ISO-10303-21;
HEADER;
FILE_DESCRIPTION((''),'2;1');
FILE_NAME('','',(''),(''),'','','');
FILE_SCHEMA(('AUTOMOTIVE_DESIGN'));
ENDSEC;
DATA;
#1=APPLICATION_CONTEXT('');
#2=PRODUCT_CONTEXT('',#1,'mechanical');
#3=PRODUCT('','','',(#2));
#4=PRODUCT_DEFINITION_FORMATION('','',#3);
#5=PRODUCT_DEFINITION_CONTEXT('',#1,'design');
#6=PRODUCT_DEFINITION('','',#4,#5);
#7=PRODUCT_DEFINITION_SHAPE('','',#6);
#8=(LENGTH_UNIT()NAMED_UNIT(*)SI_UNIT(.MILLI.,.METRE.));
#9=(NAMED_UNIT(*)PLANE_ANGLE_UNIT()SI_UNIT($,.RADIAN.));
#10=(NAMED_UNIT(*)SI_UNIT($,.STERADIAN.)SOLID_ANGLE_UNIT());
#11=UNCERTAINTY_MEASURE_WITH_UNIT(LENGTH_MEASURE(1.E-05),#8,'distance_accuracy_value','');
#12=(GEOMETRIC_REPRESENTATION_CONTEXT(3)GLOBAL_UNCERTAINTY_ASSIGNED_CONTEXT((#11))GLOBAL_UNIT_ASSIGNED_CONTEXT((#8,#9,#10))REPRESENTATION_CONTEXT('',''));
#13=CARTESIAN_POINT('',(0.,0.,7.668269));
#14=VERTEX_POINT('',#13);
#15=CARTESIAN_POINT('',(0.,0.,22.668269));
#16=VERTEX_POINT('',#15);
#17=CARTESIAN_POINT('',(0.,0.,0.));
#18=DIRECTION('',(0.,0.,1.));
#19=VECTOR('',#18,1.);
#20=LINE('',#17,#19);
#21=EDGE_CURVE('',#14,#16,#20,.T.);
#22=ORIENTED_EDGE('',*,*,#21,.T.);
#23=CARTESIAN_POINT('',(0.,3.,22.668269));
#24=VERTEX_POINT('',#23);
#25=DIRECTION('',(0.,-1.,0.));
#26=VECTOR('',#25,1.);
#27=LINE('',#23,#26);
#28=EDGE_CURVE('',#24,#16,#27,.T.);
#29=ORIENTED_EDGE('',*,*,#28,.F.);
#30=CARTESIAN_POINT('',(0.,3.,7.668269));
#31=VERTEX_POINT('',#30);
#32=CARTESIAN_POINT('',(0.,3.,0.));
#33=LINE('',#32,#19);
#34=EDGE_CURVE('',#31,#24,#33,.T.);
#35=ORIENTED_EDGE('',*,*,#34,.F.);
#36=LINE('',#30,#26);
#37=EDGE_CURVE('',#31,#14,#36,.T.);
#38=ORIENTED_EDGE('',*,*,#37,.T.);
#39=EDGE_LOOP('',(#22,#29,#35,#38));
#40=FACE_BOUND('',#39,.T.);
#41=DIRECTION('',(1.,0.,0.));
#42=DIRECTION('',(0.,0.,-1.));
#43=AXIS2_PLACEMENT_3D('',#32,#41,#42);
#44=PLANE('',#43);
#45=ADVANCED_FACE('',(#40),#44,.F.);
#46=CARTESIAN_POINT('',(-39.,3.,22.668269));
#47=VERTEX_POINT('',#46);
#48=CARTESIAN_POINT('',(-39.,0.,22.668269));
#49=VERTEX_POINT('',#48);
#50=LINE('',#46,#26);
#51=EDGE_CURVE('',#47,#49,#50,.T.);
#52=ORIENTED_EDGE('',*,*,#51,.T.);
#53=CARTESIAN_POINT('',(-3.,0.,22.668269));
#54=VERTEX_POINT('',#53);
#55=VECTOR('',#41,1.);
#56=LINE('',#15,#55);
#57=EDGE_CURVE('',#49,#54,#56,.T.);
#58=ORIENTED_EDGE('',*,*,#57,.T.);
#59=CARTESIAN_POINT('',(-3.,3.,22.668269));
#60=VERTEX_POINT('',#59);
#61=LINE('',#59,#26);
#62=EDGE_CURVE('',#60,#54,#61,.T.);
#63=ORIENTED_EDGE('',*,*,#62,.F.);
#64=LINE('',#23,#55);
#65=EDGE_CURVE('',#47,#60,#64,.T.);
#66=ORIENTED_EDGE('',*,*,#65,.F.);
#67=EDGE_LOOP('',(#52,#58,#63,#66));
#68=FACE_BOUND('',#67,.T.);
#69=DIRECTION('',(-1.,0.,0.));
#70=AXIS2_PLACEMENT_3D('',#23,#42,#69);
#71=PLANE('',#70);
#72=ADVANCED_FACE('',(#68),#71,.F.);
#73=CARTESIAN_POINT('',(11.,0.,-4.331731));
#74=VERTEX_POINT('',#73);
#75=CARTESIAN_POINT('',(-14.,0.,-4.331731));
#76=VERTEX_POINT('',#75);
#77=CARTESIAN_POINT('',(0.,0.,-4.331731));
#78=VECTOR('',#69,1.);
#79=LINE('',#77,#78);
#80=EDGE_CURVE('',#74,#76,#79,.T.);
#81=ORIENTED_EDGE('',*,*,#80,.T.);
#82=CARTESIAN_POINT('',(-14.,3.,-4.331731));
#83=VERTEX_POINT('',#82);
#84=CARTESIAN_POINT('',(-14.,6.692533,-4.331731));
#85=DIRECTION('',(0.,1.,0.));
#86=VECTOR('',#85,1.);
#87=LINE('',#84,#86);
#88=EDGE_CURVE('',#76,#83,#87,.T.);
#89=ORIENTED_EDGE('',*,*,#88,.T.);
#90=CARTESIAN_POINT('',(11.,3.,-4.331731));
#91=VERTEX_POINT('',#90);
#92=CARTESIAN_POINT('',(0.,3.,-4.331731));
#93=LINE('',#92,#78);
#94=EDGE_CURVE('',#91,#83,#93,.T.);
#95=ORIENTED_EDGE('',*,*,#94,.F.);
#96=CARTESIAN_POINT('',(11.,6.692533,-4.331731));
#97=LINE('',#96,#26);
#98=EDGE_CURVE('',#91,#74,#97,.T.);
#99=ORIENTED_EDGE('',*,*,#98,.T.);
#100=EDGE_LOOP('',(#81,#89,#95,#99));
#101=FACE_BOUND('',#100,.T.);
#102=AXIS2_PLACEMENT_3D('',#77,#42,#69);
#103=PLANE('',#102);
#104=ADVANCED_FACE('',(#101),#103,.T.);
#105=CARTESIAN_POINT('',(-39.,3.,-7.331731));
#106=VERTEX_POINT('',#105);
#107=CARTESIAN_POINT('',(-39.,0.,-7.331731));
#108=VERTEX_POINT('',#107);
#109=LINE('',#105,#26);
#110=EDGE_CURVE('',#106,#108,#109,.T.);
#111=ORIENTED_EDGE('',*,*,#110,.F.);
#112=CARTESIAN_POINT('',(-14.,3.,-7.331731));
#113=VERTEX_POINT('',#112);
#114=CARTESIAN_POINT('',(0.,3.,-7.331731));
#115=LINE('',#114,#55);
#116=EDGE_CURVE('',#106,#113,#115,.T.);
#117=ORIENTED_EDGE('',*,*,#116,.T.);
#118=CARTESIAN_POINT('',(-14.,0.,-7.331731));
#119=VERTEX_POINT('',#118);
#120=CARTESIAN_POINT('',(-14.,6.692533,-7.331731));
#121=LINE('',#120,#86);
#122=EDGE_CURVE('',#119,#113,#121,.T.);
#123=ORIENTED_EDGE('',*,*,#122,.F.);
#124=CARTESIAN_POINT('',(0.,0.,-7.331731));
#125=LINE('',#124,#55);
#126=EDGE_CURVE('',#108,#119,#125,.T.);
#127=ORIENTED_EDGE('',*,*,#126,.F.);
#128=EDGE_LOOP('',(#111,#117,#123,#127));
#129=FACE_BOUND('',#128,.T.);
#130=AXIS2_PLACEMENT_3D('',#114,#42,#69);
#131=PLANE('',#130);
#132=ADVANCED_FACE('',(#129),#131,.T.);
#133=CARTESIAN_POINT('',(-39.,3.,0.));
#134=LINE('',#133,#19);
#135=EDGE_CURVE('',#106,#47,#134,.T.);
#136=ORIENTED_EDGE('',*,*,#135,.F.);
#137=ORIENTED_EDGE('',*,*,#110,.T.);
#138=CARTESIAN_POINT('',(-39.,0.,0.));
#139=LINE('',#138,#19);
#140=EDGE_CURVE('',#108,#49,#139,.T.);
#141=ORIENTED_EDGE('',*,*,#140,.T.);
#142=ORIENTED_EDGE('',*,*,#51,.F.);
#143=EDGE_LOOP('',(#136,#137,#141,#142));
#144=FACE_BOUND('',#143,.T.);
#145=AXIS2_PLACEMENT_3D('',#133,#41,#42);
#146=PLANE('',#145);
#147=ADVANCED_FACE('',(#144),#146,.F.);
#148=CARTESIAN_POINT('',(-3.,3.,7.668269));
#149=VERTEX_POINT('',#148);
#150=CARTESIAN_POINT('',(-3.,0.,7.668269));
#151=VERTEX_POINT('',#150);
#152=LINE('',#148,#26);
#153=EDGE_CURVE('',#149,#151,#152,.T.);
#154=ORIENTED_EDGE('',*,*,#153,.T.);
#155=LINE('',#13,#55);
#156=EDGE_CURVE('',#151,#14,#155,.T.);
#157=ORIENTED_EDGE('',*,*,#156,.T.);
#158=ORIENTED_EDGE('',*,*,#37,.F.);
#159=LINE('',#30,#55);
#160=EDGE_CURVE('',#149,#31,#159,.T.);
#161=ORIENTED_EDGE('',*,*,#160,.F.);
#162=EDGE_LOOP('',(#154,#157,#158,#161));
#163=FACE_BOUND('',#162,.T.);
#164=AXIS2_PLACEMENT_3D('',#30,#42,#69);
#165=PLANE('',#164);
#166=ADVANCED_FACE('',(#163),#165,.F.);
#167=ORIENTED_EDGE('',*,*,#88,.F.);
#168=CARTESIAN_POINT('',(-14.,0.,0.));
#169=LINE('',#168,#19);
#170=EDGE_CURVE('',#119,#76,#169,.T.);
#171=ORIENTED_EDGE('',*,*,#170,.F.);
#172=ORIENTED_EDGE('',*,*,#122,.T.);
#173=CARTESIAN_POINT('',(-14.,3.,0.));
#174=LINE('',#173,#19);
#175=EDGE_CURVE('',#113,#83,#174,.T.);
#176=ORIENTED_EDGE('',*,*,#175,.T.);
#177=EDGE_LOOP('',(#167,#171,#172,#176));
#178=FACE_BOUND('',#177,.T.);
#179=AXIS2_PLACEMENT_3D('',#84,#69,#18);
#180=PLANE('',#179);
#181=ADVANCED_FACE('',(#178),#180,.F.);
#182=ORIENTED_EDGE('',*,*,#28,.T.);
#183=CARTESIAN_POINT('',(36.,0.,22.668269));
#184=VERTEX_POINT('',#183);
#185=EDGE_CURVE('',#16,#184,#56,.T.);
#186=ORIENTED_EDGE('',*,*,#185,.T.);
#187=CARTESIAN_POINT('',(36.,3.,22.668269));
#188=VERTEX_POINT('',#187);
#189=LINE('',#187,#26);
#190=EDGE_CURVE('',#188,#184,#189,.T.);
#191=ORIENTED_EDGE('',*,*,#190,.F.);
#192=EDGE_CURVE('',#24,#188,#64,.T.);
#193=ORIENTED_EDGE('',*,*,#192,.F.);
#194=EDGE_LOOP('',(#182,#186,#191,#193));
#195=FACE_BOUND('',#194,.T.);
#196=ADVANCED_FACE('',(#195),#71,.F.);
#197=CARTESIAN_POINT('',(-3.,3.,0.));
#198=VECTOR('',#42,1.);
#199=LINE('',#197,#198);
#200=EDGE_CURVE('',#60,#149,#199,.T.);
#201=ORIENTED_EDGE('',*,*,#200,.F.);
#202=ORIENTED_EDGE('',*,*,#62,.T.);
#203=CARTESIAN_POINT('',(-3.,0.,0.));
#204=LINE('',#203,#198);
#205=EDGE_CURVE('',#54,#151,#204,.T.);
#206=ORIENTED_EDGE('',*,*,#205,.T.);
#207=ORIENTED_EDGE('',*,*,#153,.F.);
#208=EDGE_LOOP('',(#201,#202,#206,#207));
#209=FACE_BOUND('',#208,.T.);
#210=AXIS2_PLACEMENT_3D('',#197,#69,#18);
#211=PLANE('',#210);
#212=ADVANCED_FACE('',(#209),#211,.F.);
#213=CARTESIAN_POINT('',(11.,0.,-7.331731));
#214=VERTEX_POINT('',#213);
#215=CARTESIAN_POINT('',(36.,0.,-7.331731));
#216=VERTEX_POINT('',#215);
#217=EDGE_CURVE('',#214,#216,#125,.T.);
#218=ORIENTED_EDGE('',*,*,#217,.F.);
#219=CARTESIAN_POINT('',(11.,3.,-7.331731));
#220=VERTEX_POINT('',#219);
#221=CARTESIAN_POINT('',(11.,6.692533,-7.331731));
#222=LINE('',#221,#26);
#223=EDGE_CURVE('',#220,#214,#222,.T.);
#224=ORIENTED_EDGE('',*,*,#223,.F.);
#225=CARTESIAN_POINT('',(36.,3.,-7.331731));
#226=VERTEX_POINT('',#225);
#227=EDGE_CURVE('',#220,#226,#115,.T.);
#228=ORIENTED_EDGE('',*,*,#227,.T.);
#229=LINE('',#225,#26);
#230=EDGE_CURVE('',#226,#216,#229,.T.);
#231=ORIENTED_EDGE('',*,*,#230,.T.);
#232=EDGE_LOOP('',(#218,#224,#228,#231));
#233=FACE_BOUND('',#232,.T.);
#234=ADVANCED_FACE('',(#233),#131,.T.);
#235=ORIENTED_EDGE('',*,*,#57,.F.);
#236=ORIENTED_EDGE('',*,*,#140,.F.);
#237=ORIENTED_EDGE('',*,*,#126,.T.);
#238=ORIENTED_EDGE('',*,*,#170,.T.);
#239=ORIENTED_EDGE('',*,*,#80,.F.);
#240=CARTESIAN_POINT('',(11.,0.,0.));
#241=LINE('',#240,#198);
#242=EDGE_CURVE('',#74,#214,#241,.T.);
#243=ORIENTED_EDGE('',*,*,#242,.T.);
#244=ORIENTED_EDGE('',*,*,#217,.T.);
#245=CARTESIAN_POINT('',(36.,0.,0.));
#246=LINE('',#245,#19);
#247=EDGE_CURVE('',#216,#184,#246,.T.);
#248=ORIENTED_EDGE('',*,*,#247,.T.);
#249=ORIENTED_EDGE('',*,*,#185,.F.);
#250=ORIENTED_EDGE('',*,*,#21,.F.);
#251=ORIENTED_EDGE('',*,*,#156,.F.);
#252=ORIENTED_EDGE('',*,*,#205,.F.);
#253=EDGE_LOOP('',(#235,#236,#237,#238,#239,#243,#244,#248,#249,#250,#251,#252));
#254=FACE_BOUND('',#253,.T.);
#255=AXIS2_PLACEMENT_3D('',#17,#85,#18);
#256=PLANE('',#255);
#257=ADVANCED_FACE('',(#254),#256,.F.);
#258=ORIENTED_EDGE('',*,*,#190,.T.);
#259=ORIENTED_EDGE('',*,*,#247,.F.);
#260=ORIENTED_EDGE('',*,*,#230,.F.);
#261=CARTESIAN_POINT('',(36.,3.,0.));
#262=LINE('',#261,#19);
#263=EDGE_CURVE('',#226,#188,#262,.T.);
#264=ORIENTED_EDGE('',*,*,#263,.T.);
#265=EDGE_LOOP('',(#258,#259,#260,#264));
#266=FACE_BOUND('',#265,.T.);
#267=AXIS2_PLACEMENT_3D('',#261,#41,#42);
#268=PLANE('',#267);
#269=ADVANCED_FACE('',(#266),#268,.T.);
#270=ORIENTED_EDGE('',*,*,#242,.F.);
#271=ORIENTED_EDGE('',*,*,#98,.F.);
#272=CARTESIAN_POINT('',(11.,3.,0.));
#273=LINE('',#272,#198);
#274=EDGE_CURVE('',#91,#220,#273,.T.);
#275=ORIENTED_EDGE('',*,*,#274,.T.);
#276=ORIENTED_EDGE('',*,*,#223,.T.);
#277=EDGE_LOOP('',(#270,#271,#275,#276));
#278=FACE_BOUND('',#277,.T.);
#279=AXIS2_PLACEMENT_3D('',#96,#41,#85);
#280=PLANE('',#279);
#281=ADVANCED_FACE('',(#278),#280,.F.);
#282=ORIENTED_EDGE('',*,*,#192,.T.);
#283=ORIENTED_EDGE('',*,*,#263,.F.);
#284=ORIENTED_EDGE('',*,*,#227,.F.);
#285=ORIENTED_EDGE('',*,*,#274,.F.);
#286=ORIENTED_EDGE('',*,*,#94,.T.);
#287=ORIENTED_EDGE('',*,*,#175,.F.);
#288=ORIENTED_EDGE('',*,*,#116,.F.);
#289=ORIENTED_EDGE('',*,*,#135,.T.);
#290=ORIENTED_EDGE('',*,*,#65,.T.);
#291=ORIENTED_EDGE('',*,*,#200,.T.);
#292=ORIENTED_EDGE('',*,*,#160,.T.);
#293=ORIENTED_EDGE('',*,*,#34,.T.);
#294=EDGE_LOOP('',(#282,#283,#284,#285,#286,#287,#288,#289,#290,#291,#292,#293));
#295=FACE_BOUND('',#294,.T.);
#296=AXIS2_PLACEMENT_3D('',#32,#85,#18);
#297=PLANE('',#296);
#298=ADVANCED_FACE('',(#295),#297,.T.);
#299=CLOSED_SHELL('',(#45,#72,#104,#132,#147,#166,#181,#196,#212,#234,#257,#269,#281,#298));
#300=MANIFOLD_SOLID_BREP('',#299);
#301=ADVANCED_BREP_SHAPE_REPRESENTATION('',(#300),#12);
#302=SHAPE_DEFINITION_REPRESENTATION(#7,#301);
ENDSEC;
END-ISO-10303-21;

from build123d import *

# Parameters (mm, degrees)
RESSALTO_EXTRUS_O1_DEPTH = 3
ESBO_O2_W                = 25
ESBO_O2_H                = 12.767391237
CORTE_EXTRUS_O1_DEPTH    = 3


with BuildPart() as part:
    # Esboço1 → Ressalto-extrusão1 (new body)
    with BuildSketch(Plane(origin=(0, 0, 0), x_dir=(1, 0, 0), z_dir=(0, 1, 0))):
        Polygon((36, 7.331730769), (-39, 7.331730769), (-39, -22.668269231), (-3, -22.668269231), (-3, -7.668269231), (0, -7.668269231), (0, -22.668269231), (36, -22.668269231), align=None)
    extrude(amount=RESSALTO_EXTRUS_O1_DEPTH)

    # Esboço2 → Corte-extrusão1 (cut)
    with BuildSketch(Plane(origin=(0, 0, -7.331730769), x_dir=(-1, 0, 0), z_dir=(0, 0, -1))):
        with Locations((1.5, 0.308837842)):
            Rectangle(ESBO_O2_W, ESBO_O2_H)
    extrude(amount=-CORTE_EXTRUS_O1_DEPTH, mode=Mode.SUBTRACT)


solid = part.part
